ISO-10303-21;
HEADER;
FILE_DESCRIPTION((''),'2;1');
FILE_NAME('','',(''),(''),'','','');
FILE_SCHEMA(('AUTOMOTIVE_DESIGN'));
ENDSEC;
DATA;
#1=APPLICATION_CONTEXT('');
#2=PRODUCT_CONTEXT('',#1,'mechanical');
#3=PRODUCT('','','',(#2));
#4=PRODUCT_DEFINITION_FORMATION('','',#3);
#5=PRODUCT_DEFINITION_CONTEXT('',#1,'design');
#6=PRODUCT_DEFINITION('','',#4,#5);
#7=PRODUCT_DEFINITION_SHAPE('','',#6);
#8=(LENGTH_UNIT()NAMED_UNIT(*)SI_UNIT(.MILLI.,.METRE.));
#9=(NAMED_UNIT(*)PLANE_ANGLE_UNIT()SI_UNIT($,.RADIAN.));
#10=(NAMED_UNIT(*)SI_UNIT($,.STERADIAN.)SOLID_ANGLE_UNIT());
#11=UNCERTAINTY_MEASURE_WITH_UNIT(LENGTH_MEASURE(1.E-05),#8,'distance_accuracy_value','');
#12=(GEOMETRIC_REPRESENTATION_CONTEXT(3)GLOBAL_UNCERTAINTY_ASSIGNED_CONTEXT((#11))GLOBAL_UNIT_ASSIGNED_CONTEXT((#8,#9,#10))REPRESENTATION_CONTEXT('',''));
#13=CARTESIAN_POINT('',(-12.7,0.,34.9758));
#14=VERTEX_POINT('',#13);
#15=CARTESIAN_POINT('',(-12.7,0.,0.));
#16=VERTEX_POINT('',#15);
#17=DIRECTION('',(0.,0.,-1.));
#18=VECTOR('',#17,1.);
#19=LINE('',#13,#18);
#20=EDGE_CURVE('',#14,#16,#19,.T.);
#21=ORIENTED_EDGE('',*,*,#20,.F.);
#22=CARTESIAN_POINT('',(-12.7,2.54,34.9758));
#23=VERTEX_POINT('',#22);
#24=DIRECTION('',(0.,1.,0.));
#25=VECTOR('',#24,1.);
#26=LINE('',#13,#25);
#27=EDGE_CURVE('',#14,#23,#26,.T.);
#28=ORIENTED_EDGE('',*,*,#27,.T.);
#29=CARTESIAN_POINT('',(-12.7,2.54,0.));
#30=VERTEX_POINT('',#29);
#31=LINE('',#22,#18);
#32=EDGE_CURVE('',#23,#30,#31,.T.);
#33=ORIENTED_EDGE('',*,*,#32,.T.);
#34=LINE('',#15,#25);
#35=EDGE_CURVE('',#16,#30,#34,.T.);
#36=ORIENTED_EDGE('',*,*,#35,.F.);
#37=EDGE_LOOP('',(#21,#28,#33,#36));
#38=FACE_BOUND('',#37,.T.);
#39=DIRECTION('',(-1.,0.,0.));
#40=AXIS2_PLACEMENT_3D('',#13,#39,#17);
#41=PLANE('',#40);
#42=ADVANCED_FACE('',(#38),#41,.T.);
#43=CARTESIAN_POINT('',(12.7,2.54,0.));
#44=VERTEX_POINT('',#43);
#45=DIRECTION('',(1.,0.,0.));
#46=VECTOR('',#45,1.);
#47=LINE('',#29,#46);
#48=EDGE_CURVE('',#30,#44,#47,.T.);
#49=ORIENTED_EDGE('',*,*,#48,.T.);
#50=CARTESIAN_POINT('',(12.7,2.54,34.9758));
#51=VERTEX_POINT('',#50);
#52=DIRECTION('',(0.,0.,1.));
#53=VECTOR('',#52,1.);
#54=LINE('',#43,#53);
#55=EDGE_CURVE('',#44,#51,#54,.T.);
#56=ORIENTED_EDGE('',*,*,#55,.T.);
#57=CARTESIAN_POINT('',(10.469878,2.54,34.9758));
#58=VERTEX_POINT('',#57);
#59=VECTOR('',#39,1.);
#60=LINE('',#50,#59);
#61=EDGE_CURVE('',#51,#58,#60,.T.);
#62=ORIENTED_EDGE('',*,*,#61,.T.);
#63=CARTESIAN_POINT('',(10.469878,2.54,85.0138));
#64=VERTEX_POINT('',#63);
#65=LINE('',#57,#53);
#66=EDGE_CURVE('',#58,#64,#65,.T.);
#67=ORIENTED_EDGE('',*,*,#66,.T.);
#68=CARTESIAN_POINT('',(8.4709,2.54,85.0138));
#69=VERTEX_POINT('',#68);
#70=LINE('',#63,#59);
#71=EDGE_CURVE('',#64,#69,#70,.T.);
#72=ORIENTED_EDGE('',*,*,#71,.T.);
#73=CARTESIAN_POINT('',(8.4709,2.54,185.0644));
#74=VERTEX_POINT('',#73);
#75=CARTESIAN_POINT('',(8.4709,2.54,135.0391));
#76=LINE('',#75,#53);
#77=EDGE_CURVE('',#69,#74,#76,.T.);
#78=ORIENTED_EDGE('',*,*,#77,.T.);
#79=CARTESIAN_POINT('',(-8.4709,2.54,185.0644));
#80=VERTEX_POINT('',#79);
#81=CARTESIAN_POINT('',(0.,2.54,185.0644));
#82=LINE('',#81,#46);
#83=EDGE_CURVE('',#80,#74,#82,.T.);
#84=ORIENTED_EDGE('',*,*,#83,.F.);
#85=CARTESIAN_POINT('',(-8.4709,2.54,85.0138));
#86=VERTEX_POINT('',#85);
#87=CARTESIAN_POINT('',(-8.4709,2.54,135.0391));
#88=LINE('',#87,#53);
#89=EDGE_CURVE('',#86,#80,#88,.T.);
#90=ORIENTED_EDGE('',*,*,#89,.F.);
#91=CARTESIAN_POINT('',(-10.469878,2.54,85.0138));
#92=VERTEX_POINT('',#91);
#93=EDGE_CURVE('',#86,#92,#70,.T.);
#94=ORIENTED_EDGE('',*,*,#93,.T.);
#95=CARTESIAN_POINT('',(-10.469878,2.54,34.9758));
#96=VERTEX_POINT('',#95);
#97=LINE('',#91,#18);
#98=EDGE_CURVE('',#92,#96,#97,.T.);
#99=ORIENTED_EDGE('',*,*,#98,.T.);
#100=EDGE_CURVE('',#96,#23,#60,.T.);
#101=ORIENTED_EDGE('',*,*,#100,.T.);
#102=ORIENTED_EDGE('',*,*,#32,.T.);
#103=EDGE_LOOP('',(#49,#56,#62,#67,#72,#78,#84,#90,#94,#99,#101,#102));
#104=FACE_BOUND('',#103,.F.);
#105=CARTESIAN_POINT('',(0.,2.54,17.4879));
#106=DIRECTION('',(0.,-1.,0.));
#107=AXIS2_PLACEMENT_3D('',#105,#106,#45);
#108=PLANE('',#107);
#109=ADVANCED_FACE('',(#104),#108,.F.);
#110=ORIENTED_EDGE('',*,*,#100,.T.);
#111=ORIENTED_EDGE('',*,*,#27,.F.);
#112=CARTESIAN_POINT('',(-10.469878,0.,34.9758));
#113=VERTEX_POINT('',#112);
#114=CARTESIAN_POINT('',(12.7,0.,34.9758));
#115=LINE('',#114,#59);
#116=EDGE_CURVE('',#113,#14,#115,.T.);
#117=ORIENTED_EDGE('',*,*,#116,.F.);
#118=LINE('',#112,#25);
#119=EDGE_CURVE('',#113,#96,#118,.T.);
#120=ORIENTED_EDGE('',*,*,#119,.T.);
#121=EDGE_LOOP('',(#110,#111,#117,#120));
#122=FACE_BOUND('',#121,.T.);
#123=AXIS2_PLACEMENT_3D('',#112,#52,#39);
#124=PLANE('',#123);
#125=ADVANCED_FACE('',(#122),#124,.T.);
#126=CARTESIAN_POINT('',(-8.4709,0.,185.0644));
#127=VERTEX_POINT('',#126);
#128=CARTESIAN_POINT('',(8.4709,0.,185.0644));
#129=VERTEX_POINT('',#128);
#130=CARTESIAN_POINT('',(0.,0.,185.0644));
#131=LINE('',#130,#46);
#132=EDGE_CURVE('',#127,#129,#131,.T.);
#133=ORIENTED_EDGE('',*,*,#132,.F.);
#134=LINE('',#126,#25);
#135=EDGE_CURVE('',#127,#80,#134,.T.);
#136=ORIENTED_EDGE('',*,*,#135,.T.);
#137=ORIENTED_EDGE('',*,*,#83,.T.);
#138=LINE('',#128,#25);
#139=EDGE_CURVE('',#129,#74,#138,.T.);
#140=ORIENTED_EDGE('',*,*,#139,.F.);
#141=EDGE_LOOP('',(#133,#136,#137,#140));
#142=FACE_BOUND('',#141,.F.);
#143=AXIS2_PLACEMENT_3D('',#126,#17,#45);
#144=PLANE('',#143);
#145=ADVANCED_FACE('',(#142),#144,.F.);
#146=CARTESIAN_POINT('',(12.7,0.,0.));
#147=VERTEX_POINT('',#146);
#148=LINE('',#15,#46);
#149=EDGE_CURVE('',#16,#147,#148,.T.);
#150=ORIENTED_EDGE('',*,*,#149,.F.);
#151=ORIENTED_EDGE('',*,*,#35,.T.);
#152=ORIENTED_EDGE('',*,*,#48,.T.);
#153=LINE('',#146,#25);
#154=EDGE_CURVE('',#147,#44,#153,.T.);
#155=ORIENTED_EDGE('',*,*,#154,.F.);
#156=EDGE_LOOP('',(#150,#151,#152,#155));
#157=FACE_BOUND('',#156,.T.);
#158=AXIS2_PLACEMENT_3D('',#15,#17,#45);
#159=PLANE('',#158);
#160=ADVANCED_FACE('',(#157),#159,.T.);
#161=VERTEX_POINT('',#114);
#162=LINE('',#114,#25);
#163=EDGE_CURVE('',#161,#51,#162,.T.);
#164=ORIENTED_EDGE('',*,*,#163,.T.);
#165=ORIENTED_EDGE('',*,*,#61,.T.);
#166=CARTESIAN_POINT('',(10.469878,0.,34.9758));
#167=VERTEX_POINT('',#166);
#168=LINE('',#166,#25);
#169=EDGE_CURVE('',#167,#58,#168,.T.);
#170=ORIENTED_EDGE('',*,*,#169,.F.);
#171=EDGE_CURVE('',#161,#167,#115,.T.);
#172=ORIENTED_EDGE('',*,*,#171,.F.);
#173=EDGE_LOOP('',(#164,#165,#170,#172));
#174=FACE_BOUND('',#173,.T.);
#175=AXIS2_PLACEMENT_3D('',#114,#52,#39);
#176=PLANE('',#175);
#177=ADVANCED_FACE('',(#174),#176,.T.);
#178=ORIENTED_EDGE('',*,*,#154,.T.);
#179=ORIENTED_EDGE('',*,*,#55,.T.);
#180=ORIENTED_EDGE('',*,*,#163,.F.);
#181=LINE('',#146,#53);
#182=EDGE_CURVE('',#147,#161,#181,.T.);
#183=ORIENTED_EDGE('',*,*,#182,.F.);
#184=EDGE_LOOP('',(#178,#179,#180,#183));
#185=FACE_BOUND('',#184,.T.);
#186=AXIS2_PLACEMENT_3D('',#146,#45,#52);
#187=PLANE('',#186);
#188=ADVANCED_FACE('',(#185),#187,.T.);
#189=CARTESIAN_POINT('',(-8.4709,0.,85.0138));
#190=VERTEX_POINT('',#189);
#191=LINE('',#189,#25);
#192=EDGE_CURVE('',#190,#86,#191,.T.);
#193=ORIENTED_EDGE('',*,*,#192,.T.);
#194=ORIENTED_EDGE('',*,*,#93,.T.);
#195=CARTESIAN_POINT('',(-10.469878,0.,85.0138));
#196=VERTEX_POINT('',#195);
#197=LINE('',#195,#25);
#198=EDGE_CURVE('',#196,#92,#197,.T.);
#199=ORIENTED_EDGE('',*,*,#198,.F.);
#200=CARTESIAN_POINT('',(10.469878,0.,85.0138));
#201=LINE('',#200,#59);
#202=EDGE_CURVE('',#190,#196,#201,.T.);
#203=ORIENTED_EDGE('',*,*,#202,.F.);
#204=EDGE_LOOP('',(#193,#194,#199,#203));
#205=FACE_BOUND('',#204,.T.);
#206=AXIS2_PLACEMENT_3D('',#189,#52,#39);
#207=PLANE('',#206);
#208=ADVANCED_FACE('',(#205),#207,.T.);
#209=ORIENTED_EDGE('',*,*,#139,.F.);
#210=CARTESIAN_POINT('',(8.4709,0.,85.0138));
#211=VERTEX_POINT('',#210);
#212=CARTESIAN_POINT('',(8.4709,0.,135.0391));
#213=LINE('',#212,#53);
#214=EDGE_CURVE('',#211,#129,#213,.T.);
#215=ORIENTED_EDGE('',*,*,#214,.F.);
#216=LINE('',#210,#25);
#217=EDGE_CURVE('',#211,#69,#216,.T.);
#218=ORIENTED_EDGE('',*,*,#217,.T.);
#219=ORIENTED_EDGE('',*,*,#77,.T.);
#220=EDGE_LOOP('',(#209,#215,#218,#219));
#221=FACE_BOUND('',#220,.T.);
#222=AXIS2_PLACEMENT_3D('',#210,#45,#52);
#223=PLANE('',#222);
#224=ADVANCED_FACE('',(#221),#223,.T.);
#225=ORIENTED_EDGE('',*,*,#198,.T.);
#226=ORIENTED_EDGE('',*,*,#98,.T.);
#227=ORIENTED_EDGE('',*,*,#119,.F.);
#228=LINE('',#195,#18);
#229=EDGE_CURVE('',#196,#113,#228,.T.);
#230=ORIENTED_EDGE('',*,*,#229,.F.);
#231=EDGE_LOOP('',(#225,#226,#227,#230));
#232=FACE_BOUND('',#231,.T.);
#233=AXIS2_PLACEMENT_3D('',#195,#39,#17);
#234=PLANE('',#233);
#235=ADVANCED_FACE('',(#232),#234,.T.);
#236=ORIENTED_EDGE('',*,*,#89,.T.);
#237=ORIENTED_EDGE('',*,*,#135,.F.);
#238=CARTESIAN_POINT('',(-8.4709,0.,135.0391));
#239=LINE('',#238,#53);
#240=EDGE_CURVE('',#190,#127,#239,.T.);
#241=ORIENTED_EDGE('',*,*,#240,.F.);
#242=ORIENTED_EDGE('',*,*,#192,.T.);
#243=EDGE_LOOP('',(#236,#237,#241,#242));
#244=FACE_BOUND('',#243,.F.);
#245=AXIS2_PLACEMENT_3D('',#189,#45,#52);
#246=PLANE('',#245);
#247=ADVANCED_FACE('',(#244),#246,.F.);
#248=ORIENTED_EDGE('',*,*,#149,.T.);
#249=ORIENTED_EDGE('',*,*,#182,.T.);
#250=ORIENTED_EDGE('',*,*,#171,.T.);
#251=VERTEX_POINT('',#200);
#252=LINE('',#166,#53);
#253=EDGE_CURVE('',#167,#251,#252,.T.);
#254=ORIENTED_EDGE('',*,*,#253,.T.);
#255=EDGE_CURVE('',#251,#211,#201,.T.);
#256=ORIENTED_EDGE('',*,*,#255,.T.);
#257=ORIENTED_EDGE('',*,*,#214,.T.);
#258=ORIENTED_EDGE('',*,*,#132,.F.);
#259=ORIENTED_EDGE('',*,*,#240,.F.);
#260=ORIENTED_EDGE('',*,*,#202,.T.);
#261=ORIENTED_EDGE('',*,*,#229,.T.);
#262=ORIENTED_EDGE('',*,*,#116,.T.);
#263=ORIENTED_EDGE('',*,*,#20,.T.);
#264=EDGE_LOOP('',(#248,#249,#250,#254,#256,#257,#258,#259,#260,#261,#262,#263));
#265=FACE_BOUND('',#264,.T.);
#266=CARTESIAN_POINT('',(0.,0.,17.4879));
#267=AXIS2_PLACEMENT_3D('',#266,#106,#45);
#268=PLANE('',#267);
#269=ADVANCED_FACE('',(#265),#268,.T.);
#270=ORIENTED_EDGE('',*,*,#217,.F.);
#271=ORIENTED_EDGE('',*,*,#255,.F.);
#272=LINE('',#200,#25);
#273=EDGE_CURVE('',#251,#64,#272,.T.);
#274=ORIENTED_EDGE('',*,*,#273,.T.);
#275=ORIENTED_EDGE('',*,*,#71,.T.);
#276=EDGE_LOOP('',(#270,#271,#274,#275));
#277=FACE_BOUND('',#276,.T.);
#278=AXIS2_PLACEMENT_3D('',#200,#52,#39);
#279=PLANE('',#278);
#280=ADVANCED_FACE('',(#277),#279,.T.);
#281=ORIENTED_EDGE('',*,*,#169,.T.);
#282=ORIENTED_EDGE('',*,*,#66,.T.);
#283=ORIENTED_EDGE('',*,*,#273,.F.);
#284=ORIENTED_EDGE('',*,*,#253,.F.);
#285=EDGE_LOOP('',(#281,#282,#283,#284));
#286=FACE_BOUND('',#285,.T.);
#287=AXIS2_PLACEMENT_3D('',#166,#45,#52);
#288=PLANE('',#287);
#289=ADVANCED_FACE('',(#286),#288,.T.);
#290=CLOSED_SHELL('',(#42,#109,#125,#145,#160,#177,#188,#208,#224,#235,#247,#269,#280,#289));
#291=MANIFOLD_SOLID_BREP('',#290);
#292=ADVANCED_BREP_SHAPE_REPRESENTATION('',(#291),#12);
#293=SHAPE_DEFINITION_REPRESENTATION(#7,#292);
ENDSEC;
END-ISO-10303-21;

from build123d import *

# Parameters (mm, degrees)
F0_W     = 16.9418
F0_H     = 100.0506
F1_DEPTH = 2.54


with BuildPart() as f1:
    # F0 (on Front) → F1 (new body)
    with BuildSketch(Plane.XZ):
        Polygon((-12.7, 0), (0, 0), (12.7, 0), (12.7, 34.9758), (10.469878, 34.9758), (-10.469878, 34.9758), (-12.7, 34.9758), align=None)
        Polygon((-10.469878, 85.0138), (-10.469878, 34.9758), (10.469878, 34.9758), (10.469878, 85.0138), (8.4709, 85.0138), (-8.4709, 85.0138), align=None)
        with Locations((0, 135.0391)):
            Rectangle(F0_W, F0_H)
    extrude(amount=-F1_DEPTH)


solid = f1.part
